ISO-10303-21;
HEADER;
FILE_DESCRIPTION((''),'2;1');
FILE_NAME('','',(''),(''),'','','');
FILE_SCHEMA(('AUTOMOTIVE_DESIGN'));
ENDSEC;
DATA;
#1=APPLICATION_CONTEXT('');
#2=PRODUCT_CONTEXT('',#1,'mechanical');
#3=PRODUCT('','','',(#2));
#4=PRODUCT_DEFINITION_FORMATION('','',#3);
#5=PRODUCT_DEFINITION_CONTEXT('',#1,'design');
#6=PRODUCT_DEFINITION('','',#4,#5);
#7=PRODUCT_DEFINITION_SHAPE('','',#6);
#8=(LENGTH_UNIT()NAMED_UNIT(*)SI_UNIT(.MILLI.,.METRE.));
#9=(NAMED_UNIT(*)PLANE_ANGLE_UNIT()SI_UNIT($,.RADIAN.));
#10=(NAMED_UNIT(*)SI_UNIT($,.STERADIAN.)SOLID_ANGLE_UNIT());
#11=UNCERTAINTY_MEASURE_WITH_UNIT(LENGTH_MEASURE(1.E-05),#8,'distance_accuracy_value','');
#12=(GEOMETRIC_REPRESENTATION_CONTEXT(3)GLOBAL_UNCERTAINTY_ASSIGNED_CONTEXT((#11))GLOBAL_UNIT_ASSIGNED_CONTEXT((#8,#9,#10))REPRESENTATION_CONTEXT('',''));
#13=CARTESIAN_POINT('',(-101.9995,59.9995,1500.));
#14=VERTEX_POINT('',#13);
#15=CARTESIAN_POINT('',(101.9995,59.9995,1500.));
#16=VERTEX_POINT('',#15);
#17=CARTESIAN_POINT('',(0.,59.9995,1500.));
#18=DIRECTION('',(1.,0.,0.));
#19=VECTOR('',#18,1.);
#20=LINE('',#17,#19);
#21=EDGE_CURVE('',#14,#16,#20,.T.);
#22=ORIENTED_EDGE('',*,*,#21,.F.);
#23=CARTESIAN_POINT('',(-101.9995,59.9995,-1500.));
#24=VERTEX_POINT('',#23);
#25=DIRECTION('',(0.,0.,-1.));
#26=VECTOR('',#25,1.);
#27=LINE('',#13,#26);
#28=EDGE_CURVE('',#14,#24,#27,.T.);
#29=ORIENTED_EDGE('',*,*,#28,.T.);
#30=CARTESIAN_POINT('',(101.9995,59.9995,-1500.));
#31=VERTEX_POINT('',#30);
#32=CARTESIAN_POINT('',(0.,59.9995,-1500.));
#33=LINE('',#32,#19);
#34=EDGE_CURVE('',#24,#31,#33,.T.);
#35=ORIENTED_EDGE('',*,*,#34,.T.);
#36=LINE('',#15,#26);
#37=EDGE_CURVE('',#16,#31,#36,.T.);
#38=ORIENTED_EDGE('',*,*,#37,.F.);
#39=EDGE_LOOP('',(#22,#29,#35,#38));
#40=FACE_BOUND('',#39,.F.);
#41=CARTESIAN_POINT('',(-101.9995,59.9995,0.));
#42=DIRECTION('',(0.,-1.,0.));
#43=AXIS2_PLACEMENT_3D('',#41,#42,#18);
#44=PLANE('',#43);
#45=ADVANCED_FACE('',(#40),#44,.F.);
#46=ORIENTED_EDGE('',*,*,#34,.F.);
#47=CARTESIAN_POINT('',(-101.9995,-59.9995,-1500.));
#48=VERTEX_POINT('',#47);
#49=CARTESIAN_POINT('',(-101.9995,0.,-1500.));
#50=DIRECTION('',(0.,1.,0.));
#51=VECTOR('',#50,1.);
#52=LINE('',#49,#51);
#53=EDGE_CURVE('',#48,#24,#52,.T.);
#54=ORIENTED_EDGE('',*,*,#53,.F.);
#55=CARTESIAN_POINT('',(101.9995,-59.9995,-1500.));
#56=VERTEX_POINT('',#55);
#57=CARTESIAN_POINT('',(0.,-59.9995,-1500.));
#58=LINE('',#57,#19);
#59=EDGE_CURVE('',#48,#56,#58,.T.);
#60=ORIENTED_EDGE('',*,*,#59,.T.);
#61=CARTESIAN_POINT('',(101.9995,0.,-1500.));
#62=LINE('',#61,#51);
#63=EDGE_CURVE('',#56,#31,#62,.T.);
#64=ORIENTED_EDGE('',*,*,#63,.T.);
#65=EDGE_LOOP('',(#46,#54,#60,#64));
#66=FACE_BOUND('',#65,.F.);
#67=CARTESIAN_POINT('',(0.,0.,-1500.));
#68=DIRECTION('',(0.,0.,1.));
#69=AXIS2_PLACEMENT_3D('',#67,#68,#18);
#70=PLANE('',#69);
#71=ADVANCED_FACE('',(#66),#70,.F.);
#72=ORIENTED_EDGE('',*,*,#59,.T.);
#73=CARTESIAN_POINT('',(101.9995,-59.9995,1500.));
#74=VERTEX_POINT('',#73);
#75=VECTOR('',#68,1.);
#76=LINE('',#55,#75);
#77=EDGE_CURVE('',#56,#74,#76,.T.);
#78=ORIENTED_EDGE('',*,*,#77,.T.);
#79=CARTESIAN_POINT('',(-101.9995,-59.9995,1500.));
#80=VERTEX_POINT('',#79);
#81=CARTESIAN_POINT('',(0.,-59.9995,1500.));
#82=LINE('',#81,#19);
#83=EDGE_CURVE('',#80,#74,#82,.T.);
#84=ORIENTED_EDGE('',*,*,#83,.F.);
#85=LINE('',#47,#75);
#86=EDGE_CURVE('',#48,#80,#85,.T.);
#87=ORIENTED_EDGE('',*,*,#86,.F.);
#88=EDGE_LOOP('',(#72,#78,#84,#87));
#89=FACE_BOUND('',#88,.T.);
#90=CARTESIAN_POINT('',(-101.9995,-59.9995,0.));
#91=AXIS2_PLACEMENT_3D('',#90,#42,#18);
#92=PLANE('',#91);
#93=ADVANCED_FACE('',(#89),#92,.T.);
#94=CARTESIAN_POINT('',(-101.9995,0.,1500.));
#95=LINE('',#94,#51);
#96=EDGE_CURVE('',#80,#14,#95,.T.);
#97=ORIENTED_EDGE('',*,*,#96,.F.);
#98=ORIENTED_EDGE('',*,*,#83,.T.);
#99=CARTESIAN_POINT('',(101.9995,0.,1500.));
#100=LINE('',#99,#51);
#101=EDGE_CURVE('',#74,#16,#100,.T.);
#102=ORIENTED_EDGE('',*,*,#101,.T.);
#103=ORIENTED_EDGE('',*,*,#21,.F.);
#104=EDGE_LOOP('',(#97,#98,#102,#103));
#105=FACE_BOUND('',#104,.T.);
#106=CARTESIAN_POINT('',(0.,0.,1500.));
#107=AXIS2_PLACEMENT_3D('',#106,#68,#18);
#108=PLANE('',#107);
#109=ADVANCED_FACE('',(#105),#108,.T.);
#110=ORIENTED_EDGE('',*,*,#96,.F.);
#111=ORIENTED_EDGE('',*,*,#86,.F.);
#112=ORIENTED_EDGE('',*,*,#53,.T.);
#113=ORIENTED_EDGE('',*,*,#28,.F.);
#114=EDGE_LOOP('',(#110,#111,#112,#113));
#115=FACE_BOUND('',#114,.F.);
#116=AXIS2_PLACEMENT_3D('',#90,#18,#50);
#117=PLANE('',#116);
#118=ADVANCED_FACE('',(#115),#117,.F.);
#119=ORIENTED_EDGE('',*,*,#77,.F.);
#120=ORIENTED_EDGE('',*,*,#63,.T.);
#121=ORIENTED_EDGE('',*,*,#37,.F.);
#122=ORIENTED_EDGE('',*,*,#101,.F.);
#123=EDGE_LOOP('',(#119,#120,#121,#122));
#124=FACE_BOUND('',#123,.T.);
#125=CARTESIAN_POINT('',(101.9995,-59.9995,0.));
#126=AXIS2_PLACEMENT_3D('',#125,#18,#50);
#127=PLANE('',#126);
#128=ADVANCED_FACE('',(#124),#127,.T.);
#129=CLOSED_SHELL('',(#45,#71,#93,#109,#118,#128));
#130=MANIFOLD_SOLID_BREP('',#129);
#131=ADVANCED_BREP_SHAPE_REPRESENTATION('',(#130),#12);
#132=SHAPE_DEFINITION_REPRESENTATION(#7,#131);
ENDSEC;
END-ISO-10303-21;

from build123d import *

# Parameters (mm, degrees)
SKETCH_W  = 203.999
SKETCH_H  = 119.999
PAD_DEPTH = 1500


with BuildPart() as part:
    # Sketch → Pad (new body, symmetric)
    with BuildSketch(Plane.XY):
        Rectangle(SKETCH_W, SKETCH_H)
    extrude(amount=PAD_DEPTH, both=True)


solid = part.part
